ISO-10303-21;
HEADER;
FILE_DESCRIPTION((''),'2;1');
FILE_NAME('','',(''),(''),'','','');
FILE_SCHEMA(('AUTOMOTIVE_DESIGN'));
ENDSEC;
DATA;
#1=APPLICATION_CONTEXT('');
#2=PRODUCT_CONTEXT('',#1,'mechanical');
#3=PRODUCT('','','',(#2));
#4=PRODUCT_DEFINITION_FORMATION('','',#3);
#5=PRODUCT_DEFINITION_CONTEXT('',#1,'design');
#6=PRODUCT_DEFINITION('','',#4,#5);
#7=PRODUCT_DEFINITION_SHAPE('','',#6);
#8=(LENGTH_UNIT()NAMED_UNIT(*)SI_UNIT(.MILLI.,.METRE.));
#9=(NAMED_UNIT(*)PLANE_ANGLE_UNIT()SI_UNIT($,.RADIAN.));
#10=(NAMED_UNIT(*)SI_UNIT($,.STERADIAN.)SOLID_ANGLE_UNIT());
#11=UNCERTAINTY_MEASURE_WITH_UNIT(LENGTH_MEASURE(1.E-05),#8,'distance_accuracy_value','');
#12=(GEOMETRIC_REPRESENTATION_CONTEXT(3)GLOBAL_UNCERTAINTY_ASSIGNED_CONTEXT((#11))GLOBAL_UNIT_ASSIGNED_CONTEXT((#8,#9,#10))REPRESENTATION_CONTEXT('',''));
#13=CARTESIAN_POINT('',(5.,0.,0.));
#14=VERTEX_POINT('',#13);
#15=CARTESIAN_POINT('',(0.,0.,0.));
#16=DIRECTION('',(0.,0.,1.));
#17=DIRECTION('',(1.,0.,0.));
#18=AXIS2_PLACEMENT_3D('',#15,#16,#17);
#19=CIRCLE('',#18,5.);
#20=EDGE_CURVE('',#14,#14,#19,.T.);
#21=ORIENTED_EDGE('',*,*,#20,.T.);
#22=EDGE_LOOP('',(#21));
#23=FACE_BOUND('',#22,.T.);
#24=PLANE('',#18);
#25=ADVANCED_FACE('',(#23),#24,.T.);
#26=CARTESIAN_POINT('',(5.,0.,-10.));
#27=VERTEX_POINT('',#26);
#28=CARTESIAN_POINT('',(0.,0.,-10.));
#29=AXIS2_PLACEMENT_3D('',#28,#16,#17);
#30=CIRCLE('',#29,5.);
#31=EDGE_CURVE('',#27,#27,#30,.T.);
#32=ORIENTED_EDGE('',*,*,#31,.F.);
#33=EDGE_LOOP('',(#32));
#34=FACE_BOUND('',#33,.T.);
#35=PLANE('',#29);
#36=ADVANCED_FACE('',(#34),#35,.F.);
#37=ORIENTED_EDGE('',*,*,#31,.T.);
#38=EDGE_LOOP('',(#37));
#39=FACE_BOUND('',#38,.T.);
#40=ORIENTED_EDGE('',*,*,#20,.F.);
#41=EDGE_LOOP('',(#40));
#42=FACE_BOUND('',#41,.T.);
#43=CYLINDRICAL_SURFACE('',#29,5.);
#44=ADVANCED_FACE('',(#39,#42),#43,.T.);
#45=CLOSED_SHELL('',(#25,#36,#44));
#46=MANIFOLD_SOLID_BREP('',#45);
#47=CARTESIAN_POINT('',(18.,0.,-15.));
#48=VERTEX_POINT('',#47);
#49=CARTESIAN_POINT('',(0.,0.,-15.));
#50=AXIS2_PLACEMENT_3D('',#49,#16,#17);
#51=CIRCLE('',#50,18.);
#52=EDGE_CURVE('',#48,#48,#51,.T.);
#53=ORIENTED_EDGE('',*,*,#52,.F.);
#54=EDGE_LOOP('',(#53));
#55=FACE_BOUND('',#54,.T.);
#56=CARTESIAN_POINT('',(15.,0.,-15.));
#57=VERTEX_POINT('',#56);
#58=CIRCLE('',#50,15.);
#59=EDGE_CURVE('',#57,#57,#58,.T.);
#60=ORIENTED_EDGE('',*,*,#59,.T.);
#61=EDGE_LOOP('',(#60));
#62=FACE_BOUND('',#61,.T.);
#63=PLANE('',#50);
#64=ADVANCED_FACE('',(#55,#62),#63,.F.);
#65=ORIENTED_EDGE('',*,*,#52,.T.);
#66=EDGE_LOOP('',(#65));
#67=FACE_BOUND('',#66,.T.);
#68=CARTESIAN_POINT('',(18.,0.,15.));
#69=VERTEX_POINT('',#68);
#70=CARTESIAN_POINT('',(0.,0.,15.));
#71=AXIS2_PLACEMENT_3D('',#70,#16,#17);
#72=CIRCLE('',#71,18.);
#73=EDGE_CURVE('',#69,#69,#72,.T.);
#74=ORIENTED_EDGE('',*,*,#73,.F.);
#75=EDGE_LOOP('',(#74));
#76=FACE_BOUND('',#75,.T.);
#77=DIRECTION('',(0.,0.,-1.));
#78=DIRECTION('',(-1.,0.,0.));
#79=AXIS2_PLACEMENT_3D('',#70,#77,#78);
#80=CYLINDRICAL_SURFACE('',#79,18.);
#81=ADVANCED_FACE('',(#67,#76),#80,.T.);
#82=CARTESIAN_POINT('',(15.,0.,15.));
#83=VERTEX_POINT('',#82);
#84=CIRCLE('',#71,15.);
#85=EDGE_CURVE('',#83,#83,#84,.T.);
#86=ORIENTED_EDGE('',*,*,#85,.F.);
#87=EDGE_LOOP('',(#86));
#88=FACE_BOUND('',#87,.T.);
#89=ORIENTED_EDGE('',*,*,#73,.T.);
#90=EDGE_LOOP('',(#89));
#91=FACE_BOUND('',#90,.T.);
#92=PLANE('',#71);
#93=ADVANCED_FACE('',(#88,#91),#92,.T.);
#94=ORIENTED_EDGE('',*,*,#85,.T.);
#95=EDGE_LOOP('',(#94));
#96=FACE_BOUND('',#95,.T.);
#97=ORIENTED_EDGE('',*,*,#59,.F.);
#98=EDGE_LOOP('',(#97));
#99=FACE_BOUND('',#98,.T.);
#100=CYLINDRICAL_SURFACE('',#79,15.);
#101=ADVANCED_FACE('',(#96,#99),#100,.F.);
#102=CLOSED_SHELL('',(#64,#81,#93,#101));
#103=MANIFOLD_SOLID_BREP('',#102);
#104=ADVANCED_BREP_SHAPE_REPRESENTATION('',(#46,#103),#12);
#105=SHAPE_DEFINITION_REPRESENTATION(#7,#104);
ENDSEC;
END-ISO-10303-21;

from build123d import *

# Parameters (mm, degrees)
SKETCH1_R           = 18
SKETCH1_R_2         = 15
EXTRUDE_THIN1_DEPTH = 15
SKETCH2_R           = 5
BOSS_EXTRUDE1_DEPTH = 10


with BuildPart() as part:
    # Sketch1 → Extrude-Thin1 (new body, symmetric)
    with BuildSketch(Plane.XY):
        Circle(SKETCH1_R)
        Circle(SKETCH1_R_2, mode=Mode.SUBTRACT)
    extrude(amount=EXTRUDE_THIN1_DEPTH, both=True)


with BuildPart() as body_2:
    # Sketch2 → Boss-Extrude1 (new body)
    with BuildSketch(Plane.XY):
        Circle(SKETCH2_R)
    extrude(amount=-BOSS_EXTRUDE1_DEPTH)


solid = Compound([part.part, body_2.part])
